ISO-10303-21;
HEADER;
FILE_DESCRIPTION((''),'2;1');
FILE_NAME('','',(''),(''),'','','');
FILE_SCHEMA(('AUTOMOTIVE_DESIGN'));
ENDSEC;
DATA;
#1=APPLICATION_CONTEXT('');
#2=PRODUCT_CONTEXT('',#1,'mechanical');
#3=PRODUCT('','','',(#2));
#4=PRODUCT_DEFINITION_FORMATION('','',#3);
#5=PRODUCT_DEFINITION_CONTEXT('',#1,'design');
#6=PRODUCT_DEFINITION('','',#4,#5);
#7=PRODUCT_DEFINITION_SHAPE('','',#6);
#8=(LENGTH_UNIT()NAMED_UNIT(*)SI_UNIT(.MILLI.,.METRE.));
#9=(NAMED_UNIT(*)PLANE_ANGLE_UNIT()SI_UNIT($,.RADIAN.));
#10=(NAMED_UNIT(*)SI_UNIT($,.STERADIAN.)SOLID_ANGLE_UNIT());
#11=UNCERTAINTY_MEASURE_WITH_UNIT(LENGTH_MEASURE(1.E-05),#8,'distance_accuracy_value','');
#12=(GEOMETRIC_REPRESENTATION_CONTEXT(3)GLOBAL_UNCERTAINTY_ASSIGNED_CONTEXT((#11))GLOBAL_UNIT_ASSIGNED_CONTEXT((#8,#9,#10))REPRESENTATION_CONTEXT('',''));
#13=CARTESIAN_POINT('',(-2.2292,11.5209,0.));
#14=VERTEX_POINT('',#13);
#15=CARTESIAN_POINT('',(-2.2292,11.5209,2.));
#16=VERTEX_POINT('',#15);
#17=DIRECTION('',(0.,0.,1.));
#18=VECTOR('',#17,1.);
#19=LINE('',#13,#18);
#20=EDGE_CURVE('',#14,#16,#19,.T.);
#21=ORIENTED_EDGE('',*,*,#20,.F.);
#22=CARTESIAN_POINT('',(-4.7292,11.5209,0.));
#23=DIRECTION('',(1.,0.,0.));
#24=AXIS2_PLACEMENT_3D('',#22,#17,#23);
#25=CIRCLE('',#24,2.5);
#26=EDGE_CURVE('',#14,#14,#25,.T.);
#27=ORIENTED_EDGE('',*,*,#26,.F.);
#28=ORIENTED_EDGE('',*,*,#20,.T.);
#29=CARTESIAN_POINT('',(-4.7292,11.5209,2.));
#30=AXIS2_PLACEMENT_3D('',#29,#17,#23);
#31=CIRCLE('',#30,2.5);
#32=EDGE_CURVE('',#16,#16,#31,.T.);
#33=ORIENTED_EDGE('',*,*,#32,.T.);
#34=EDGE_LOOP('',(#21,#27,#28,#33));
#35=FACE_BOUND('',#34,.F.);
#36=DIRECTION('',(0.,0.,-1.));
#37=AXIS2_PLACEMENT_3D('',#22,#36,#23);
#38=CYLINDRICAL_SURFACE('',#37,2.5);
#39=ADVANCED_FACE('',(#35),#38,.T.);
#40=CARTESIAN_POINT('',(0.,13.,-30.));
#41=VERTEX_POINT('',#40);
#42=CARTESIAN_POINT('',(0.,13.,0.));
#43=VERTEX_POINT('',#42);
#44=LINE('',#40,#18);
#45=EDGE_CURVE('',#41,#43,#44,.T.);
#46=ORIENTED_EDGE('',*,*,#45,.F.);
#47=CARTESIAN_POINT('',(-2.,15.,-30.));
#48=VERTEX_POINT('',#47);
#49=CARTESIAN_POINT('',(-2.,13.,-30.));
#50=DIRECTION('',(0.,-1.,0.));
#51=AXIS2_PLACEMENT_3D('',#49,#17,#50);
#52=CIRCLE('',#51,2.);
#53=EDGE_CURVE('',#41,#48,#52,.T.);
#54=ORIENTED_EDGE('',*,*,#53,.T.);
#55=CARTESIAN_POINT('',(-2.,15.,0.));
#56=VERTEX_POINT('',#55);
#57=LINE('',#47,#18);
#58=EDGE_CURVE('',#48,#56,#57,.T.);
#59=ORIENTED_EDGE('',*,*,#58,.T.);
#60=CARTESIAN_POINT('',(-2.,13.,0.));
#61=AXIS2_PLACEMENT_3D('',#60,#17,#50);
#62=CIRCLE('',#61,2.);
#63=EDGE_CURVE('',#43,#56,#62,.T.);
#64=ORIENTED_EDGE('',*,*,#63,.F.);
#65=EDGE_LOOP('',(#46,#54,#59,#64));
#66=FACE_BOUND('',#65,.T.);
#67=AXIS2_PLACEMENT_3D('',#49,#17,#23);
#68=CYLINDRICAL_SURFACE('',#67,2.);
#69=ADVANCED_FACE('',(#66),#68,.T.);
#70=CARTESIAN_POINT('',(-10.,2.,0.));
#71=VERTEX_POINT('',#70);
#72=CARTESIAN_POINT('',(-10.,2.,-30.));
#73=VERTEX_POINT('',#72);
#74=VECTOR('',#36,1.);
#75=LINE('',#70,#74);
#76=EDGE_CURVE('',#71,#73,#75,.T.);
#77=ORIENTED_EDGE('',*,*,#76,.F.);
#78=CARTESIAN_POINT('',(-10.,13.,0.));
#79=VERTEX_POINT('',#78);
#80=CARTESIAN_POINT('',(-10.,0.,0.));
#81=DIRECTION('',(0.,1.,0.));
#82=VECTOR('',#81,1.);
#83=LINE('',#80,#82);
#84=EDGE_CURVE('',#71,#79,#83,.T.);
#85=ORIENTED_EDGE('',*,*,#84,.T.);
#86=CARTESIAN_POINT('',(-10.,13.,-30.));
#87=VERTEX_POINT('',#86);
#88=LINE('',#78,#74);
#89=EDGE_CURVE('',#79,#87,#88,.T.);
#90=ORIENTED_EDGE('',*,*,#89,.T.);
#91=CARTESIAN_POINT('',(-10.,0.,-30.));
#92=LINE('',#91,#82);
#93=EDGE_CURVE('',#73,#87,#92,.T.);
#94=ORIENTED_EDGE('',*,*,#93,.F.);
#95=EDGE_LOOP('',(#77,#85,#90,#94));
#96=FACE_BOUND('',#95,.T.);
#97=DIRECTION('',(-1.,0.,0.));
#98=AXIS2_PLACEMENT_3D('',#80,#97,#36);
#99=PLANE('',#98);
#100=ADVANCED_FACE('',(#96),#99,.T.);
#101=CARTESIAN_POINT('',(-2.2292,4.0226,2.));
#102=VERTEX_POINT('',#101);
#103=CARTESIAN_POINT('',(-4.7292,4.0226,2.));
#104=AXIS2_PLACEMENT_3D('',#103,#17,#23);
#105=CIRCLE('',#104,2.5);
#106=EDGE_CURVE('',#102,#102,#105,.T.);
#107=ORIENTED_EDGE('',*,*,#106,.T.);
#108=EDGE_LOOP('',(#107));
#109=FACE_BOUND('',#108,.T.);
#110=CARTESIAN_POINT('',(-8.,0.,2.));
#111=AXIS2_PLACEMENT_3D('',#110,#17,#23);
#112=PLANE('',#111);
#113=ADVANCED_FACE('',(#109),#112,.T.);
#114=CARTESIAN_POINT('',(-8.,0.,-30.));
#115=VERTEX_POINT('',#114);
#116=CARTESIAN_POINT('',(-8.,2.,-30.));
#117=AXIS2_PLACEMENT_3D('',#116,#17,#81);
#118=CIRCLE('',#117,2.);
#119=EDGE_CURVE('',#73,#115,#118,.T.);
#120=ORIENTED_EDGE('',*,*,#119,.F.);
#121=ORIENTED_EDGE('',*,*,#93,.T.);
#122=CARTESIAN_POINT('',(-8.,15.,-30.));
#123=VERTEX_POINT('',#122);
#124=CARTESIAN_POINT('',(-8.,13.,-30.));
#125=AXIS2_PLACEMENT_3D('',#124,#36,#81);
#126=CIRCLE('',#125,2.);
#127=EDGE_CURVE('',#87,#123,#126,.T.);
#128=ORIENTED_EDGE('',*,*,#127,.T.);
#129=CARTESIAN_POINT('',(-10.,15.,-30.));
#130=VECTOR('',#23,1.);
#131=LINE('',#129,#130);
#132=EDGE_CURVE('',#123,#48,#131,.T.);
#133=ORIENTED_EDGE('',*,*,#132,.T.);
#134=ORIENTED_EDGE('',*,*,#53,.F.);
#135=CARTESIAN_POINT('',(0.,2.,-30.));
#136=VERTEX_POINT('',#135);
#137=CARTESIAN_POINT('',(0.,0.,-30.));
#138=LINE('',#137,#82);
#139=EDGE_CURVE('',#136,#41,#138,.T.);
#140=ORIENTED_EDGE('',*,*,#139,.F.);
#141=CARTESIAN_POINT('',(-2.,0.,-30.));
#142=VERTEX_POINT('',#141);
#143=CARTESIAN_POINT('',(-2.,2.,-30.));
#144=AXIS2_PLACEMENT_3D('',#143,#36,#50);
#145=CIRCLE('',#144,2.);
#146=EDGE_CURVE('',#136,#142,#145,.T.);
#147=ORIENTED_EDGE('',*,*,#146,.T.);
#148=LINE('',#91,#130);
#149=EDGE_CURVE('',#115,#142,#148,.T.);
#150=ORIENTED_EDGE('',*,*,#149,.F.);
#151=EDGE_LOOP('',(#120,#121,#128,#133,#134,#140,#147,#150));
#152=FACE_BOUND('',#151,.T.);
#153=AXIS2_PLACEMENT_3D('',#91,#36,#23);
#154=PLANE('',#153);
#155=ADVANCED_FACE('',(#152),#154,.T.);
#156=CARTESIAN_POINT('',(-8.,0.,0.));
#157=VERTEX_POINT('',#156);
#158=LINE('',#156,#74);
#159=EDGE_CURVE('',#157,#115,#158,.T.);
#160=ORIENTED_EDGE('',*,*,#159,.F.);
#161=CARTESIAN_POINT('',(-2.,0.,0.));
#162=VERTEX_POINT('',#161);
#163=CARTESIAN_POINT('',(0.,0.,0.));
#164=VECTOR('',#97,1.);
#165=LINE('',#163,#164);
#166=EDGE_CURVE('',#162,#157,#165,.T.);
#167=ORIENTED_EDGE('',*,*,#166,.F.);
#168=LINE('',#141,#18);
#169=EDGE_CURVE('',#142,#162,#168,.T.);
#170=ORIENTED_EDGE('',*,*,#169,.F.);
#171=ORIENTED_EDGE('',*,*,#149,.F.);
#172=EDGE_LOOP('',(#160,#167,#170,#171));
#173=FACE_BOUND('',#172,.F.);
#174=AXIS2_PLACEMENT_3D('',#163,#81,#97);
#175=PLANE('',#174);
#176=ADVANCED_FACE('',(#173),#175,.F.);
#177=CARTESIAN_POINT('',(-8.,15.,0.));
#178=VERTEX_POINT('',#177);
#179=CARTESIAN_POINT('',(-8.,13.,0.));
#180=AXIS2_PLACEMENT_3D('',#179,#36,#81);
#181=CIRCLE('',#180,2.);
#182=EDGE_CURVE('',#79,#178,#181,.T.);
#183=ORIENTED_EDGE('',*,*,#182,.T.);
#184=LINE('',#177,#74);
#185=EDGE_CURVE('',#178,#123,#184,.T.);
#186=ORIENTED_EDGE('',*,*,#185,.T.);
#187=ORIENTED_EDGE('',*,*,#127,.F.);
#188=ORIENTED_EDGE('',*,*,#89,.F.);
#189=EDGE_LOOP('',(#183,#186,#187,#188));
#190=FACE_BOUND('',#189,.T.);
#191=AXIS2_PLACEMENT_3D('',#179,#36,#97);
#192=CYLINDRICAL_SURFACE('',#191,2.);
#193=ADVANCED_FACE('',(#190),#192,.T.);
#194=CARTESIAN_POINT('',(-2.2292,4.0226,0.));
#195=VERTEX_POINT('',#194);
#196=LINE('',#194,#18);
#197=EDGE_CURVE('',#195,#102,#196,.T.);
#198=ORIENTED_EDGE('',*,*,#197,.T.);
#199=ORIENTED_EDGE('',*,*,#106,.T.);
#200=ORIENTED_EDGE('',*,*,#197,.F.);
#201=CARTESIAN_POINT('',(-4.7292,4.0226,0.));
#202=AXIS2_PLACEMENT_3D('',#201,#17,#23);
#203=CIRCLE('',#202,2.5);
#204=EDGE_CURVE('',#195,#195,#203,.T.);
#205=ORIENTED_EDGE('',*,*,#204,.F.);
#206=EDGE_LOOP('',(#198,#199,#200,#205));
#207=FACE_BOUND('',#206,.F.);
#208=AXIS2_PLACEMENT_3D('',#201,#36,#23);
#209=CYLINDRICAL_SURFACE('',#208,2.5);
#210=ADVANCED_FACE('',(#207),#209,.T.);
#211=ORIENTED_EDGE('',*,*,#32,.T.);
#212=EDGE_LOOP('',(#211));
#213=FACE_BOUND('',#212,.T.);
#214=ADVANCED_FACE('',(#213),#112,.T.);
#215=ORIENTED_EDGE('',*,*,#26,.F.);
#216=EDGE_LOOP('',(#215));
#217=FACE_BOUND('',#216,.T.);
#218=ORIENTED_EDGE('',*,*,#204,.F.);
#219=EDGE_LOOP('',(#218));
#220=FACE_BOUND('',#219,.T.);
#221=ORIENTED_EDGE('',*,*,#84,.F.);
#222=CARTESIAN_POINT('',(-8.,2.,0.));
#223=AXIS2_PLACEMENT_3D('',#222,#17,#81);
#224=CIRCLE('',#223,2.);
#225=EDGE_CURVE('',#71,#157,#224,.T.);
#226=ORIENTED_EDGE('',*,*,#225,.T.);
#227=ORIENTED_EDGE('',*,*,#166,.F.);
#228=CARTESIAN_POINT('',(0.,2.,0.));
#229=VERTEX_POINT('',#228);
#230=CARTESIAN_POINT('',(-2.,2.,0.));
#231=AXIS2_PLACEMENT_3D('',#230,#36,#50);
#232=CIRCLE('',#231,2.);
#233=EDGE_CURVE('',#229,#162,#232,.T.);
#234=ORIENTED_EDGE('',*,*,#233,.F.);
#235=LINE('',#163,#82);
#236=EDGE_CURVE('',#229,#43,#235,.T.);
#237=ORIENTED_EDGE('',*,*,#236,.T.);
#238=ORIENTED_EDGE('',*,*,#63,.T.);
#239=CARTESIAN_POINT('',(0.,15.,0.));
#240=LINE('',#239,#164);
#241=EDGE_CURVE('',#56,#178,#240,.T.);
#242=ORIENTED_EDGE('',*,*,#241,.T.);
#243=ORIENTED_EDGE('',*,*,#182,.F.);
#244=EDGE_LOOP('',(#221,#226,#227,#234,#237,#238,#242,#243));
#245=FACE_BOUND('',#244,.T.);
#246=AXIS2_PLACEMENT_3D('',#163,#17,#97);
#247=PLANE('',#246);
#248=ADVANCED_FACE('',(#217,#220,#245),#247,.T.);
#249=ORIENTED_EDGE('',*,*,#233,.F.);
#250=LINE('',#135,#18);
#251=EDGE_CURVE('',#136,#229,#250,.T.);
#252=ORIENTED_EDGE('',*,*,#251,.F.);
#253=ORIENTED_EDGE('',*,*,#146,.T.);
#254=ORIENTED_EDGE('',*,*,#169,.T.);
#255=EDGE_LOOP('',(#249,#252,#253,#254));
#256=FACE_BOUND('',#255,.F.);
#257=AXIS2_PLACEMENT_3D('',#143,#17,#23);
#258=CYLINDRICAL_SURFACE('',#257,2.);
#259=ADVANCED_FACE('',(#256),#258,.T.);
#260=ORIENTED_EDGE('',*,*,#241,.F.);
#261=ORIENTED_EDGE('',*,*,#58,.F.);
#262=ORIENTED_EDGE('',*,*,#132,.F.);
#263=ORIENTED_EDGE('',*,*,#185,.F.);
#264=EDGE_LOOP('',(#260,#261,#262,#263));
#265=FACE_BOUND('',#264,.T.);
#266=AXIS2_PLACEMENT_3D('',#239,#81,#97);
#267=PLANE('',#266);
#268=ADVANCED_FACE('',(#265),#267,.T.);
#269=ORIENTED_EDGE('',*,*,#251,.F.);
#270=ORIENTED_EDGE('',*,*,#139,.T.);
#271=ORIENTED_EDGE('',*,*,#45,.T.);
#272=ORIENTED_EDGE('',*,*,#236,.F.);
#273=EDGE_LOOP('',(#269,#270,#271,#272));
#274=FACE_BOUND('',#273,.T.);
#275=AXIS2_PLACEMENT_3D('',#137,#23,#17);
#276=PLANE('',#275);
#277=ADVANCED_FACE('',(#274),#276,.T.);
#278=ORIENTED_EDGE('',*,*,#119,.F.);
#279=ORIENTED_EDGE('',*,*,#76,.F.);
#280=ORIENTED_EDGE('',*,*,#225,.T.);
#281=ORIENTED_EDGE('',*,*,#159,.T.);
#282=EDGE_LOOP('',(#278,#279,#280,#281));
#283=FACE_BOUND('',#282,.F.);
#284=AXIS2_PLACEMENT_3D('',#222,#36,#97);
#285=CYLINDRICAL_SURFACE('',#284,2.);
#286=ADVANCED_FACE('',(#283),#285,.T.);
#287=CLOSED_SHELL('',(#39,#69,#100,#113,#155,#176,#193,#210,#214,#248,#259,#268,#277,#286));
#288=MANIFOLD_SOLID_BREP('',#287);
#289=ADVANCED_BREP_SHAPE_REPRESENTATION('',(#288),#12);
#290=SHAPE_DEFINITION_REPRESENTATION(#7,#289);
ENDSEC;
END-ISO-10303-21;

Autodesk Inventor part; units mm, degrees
ref_plane "YZ Plane" through (0, 0, 0) normal (1, 0, 0) x (0, 1, 0)
ref_plane "XZ Plane" through (0, 0, 0) normal (0, 1, 0) x (-1, 0, 0)
ref_plane "XY Plane" through (0, 0, 0) normal (0, 0, 1) x (1, 0, 0)
sketch "Sketch1" plane through (0, 0, 0) normal (0, 1, 0) x (-1, 0, 0)
  point P0 (0, 0)
sketch "Sketch2" plane through (0, 0, 0) normal (0, 1, 0) x (-1, 0, 0)
  line L0 (0, 0) -> (10, 0)
  line L1 (10, 0) -> (10, -30)
  line L2 (10, -30) -> (0, -30)
  line L3 (0, -30) -> (0, 0)
  dimension "d0" = 10
  dimension "d1" = 30
extrude "Extrusion1" add sketch "Sketch2" along normal blind 15
fillet "Fillet1" radius 2 4 edges at (0, 15, -15) (-10, 15, -15) (0, 0, -15) (-10, 0, -15)
sketch "Sketch3" plane through (-8, 0, 0) normal (0, 0, 1) x (1, 0, 0)
  circle A0 centre (3.2708, 11.5209) radius 2.5
  circle A1 centre (3.2708, 4.0226) radius 2.5
  point P0 (8, 0)
  dimension "d5" = 5
  dimension "d6" = 5
extrude "Extrusion2" add sketch "Sketch3" along normal blind 2
properties part number "battery"
